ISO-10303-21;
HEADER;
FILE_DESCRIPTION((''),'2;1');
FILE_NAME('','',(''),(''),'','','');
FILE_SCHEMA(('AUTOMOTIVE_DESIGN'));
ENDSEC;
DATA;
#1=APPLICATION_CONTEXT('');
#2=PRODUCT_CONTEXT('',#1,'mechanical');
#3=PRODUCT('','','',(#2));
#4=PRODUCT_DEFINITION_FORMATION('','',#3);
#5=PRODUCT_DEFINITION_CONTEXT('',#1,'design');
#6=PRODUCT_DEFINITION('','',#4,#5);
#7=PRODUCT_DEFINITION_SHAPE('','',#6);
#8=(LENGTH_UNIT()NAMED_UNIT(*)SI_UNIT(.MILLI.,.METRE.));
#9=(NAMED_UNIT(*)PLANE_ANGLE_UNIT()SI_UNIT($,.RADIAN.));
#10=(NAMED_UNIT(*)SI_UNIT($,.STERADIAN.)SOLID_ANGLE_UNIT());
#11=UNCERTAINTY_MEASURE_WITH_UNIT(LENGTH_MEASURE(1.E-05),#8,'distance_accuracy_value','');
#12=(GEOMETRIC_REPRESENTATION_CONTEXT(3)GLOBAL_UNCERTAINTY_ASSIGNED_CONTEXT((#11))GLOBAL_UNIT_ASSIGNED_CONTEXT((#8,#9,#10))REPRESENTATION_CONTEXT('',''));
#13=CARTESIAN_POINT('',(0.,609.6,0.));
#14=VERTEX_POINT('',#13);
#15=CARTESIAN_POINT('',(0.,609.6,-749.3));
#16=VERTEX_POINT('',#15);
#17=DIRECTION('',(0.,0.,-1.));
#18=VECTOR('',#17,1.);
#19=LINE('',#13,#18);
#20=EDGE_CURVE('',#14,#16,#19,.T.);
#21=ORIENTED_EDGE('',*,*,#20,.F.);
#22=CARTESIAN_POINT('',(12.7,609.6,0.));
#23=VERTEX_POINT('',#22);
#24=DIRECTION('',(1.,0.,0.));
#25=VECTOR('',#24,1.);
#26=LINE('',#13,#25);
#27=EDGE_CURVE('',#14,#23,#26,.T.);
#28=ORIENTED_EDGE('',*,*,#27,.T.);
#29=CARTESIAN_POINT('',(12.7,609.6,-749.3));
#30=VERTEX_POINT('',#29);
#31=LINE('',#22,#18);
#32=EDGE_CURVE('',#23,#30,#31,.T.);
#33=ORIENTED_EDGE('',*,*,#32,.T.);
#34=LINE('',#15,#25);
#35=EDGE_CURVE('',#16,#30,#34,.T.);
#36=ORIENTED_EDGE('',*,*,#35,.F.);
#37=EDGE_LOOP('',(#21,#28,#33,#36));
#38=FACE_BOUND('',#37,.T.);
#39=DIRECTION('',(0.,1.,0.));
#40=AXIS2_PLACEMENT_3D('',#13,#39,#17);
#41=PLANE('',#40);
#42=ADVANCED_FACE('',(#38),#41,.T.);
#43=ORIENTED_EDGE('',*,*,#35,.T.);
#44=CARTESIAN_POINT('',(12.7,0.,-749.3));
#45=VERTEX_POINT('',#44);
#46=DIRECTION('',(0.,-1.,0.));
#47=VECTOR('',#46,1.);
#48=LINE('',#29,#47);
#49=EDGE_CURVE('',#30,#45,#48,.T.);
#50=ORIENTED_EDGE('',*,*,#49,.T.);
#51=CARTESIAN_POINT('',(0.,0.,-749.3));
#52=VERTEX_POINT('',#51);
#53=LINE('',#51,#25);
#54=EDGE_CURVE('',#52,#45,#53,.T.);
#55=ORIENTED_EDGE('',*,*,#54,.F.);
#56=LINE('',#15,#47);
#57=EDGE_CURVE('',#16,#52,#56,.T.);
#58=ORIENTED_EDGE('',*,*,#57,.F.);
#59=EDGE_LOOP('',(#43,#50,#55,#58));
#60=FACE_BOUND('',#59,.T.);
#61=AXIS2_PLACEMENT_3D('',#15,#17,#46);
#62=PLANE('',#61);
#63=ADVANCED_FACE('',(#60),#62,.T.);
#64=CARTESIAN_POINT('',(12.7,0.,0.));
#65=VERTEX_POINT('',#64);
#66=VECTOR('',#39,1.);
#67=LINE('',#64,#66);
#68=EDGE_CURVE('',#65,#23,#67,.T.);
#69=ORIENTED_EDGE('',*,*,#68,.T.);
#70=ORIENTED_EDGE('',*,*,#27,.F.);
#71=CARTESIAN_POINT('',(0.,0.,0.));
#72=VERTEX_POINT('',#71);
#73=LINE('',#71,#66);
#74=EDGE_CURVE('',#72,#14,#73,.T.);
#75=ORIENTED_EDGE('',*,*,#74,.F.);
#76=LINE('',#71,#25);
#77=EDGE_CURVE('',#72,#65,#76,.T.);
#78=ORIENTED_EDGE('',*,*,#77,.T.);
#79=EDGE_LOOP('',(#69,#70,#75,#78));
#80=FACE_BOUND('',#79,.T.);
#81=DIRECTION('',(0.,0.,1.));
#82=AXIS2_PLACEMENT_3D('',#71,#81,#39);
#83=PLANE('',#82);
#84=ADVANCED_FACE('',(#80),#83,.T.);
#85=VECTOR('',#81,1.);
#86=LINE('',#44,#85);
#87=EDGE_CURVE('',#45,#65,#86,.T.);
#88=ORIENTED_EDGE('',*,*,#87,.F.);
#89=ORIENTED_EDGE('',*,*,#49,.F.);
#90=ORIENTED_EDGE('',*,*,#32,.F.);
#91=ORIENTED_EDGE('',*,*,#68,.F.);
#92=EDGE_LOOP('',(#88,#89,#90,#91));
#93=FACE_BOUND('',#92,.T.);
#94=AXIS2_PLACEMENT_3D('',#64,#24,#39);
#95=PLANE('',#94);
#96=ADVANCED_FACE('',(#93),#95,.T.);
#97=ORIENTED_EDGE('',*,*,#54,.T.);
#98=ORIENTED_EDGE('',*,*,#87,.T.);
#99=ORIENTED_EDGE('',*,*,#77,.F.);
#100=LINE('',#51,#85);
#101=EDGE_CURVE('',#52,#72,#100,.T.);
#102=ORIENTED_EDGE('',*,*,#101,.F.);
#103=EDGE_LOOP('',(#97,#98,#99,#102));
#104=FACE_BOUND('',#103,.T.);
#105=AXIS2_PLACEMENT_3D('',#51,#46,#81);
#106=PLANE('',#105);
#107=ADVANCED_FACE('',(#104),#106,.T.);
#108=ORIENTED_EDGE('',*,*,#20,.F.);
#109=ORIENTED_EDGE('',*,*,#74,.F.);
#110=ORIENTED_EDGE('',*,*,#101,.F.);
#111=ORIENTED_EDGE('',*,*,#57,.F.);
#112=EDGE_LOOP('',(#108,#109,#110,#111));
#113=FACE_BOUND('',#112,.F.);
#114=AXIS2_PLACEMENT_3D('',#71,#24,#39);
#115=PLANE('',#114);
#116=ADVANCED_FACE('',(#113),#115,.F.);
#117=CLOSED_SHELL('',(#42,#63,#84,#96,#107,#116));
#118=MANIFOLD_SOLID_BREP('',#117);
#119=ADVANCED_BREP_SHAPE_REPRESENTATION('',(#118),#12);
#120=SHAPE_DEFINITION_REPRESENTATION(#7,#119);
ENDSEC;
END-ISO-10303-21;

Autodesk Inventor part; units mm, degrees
ref_plane "YZ Plane" through (0, 0, 0) normal (1, 0, 0) x (0, 1, 0)
ref_plane "XZ Plane" through (0, 0, 0) normal (0, 1, 0) x (-1, 0, 0)
ref_plane "XY Plane" through (0, 0, 0) normal (0, 0, 1) x (1, 0, 0)
sketch "Sketch1" plane through (0, 0, 0) normal (1, 0, 0) x (0, 1, 0)
  line L0 (0, 0) -> (609.6, 0)
  line L1 (609.6, 0) -> (609.6, -749.3)
  line L2 (609.6, -749.3) -> (0, -749.3)
  line L3 (0, -749.3) -> (0, 0)
  dimension "d0" = 609.6
  dimension "d1" = 749.3
extrude "Extrusion1" add sketch "Sketch1" along normal blind 12.7
properties part number "SideDividerWalls"
